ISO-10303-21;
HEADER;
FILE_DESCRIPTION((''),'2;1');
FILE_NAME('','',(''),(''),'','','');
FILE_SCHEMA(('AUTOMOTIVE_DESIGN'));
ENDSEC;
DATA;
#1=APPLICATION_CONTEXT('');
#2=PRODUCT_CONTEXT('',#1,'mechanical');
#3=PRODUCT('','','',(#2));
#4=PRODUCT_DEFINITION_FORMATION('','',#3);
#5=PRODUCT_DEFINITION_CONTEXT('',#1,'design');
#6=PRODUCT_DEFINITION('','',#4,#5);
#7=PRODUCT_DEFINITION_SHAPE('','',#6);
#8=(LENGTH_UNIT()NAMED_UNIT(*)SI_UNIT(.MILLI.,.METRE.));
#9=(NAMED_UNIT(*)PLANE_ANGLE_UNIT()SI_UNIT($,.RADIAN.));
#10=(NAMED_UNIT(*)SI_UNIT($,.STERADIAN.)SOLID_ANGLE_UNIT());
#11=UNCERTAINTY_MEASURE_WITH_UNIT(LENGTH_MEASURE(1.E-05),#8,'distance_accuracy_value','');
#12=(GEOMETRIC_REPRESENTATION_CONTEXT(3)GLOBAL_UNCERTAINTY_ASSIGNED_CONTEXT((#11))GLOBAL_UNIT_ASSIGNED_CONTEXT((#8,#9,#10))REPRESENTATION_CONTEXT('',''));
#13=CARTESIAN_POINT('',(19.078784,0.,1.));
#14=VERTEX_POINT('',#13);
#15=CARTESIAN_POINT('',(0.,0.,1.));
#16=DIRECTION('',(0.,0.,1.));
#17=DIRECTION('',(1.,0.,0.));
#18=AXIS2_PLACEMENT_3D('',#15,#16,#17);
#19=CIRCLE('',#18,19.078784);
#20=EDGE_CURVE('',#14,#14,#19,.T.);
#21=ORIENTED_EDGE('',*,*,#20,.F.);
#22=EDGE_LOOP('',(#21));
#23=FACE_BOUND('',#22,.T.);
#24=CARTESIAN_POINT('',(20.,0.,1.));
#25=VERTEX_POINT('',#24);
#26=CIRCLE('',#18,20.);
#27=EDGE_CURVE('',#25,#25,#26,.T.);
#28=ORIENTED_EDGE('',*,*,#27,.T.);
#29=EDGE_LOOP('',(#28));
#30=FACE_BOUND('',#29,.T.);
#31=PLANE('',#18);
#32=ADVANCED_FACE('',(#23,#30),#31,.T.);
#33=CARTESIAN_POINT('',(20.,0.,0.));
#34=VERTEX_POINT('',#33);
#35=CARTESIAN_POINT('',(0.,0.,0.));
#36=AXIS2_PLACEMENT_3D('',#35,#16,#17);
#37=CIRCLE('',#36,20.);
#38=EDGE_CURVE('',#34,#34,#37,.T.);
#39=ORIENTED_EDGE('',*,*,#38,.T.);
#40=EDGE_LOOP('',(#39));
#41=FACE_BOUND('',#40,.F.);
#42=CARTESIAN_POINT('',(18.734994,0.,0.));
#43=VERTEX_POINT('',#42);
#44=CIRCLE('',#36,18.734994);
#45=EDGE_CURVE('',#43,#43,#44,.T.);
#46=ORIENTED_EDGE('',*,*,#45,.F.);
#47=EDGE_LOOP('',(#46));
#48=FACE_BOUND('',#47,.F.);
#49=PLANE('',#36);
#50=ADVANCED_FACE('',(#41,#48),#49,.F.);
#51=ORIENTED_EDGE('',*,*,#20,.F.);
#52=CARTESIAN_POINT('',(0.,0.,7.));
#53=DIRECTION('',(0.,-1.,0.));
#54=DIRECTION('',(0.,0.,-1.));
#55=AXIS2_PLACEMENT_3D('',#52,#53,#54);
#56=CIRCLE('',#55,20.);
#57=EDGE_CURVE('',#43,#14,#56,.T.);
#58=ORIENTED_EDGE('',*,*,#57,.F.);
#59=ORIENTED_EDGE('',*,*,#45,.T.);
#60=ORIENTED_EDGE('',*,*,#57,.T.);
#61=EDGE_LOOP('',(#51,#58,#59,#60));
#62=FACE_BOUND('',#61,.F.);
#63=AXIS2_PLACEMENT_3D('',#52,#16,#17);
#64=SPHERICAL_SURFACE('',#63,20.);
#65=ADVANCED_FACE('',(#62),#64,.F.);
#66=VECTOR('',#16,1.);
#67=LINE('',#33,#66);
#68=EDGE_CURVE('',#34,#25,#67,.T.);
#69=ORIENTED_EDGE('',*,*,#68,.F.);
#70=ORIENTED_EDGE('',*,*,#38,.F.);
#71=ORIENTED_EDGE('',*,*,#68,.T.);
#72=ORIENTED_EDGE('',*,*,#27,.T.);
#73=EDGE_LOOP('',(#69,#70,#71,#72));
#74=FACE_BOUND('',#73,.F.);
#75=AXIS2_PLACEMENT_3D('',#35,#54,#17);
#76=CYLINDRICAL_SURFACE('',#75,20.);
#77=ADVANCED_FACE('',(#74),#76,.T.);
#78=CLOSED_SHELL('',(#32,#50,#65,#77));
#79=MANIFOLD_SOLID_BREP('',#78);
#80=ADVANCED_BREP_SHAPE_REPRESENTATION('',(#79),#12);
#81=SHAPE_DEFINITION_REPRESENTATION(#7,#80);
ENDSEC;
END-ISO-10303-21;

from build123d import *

# Parameters (mm, degrees)
SKETCH_R  = 20
PAD_DEPTH = 1


with BuildPart() as sphere:
    # Sphere → Sphere (revolve)
    with BuildSketch(Plane(origin=(0, 0, 7), x_dir=(1, 0, 0), z_dir=(0, -1, 0))):
        with BuildLine():
            ThreePointArc((0, -20), (20, 0), (0, 20))
            Line((0, 20), (0, -20))
        make_face()
    revolve(axis=Axis((0, 0, 7), (0, 0, 1)))


with BuildPart() as cut:
    # Sketch → Pad (new body)
    with BuildSketch(Plane.XY):
        Circle(SKETCH_R)
    extrude(amount=PAD_DEPTH)

    # Cut: cut Sphere
    add(sphere.part, mode=Mode.SUBTRACT)


solid = cut.part
